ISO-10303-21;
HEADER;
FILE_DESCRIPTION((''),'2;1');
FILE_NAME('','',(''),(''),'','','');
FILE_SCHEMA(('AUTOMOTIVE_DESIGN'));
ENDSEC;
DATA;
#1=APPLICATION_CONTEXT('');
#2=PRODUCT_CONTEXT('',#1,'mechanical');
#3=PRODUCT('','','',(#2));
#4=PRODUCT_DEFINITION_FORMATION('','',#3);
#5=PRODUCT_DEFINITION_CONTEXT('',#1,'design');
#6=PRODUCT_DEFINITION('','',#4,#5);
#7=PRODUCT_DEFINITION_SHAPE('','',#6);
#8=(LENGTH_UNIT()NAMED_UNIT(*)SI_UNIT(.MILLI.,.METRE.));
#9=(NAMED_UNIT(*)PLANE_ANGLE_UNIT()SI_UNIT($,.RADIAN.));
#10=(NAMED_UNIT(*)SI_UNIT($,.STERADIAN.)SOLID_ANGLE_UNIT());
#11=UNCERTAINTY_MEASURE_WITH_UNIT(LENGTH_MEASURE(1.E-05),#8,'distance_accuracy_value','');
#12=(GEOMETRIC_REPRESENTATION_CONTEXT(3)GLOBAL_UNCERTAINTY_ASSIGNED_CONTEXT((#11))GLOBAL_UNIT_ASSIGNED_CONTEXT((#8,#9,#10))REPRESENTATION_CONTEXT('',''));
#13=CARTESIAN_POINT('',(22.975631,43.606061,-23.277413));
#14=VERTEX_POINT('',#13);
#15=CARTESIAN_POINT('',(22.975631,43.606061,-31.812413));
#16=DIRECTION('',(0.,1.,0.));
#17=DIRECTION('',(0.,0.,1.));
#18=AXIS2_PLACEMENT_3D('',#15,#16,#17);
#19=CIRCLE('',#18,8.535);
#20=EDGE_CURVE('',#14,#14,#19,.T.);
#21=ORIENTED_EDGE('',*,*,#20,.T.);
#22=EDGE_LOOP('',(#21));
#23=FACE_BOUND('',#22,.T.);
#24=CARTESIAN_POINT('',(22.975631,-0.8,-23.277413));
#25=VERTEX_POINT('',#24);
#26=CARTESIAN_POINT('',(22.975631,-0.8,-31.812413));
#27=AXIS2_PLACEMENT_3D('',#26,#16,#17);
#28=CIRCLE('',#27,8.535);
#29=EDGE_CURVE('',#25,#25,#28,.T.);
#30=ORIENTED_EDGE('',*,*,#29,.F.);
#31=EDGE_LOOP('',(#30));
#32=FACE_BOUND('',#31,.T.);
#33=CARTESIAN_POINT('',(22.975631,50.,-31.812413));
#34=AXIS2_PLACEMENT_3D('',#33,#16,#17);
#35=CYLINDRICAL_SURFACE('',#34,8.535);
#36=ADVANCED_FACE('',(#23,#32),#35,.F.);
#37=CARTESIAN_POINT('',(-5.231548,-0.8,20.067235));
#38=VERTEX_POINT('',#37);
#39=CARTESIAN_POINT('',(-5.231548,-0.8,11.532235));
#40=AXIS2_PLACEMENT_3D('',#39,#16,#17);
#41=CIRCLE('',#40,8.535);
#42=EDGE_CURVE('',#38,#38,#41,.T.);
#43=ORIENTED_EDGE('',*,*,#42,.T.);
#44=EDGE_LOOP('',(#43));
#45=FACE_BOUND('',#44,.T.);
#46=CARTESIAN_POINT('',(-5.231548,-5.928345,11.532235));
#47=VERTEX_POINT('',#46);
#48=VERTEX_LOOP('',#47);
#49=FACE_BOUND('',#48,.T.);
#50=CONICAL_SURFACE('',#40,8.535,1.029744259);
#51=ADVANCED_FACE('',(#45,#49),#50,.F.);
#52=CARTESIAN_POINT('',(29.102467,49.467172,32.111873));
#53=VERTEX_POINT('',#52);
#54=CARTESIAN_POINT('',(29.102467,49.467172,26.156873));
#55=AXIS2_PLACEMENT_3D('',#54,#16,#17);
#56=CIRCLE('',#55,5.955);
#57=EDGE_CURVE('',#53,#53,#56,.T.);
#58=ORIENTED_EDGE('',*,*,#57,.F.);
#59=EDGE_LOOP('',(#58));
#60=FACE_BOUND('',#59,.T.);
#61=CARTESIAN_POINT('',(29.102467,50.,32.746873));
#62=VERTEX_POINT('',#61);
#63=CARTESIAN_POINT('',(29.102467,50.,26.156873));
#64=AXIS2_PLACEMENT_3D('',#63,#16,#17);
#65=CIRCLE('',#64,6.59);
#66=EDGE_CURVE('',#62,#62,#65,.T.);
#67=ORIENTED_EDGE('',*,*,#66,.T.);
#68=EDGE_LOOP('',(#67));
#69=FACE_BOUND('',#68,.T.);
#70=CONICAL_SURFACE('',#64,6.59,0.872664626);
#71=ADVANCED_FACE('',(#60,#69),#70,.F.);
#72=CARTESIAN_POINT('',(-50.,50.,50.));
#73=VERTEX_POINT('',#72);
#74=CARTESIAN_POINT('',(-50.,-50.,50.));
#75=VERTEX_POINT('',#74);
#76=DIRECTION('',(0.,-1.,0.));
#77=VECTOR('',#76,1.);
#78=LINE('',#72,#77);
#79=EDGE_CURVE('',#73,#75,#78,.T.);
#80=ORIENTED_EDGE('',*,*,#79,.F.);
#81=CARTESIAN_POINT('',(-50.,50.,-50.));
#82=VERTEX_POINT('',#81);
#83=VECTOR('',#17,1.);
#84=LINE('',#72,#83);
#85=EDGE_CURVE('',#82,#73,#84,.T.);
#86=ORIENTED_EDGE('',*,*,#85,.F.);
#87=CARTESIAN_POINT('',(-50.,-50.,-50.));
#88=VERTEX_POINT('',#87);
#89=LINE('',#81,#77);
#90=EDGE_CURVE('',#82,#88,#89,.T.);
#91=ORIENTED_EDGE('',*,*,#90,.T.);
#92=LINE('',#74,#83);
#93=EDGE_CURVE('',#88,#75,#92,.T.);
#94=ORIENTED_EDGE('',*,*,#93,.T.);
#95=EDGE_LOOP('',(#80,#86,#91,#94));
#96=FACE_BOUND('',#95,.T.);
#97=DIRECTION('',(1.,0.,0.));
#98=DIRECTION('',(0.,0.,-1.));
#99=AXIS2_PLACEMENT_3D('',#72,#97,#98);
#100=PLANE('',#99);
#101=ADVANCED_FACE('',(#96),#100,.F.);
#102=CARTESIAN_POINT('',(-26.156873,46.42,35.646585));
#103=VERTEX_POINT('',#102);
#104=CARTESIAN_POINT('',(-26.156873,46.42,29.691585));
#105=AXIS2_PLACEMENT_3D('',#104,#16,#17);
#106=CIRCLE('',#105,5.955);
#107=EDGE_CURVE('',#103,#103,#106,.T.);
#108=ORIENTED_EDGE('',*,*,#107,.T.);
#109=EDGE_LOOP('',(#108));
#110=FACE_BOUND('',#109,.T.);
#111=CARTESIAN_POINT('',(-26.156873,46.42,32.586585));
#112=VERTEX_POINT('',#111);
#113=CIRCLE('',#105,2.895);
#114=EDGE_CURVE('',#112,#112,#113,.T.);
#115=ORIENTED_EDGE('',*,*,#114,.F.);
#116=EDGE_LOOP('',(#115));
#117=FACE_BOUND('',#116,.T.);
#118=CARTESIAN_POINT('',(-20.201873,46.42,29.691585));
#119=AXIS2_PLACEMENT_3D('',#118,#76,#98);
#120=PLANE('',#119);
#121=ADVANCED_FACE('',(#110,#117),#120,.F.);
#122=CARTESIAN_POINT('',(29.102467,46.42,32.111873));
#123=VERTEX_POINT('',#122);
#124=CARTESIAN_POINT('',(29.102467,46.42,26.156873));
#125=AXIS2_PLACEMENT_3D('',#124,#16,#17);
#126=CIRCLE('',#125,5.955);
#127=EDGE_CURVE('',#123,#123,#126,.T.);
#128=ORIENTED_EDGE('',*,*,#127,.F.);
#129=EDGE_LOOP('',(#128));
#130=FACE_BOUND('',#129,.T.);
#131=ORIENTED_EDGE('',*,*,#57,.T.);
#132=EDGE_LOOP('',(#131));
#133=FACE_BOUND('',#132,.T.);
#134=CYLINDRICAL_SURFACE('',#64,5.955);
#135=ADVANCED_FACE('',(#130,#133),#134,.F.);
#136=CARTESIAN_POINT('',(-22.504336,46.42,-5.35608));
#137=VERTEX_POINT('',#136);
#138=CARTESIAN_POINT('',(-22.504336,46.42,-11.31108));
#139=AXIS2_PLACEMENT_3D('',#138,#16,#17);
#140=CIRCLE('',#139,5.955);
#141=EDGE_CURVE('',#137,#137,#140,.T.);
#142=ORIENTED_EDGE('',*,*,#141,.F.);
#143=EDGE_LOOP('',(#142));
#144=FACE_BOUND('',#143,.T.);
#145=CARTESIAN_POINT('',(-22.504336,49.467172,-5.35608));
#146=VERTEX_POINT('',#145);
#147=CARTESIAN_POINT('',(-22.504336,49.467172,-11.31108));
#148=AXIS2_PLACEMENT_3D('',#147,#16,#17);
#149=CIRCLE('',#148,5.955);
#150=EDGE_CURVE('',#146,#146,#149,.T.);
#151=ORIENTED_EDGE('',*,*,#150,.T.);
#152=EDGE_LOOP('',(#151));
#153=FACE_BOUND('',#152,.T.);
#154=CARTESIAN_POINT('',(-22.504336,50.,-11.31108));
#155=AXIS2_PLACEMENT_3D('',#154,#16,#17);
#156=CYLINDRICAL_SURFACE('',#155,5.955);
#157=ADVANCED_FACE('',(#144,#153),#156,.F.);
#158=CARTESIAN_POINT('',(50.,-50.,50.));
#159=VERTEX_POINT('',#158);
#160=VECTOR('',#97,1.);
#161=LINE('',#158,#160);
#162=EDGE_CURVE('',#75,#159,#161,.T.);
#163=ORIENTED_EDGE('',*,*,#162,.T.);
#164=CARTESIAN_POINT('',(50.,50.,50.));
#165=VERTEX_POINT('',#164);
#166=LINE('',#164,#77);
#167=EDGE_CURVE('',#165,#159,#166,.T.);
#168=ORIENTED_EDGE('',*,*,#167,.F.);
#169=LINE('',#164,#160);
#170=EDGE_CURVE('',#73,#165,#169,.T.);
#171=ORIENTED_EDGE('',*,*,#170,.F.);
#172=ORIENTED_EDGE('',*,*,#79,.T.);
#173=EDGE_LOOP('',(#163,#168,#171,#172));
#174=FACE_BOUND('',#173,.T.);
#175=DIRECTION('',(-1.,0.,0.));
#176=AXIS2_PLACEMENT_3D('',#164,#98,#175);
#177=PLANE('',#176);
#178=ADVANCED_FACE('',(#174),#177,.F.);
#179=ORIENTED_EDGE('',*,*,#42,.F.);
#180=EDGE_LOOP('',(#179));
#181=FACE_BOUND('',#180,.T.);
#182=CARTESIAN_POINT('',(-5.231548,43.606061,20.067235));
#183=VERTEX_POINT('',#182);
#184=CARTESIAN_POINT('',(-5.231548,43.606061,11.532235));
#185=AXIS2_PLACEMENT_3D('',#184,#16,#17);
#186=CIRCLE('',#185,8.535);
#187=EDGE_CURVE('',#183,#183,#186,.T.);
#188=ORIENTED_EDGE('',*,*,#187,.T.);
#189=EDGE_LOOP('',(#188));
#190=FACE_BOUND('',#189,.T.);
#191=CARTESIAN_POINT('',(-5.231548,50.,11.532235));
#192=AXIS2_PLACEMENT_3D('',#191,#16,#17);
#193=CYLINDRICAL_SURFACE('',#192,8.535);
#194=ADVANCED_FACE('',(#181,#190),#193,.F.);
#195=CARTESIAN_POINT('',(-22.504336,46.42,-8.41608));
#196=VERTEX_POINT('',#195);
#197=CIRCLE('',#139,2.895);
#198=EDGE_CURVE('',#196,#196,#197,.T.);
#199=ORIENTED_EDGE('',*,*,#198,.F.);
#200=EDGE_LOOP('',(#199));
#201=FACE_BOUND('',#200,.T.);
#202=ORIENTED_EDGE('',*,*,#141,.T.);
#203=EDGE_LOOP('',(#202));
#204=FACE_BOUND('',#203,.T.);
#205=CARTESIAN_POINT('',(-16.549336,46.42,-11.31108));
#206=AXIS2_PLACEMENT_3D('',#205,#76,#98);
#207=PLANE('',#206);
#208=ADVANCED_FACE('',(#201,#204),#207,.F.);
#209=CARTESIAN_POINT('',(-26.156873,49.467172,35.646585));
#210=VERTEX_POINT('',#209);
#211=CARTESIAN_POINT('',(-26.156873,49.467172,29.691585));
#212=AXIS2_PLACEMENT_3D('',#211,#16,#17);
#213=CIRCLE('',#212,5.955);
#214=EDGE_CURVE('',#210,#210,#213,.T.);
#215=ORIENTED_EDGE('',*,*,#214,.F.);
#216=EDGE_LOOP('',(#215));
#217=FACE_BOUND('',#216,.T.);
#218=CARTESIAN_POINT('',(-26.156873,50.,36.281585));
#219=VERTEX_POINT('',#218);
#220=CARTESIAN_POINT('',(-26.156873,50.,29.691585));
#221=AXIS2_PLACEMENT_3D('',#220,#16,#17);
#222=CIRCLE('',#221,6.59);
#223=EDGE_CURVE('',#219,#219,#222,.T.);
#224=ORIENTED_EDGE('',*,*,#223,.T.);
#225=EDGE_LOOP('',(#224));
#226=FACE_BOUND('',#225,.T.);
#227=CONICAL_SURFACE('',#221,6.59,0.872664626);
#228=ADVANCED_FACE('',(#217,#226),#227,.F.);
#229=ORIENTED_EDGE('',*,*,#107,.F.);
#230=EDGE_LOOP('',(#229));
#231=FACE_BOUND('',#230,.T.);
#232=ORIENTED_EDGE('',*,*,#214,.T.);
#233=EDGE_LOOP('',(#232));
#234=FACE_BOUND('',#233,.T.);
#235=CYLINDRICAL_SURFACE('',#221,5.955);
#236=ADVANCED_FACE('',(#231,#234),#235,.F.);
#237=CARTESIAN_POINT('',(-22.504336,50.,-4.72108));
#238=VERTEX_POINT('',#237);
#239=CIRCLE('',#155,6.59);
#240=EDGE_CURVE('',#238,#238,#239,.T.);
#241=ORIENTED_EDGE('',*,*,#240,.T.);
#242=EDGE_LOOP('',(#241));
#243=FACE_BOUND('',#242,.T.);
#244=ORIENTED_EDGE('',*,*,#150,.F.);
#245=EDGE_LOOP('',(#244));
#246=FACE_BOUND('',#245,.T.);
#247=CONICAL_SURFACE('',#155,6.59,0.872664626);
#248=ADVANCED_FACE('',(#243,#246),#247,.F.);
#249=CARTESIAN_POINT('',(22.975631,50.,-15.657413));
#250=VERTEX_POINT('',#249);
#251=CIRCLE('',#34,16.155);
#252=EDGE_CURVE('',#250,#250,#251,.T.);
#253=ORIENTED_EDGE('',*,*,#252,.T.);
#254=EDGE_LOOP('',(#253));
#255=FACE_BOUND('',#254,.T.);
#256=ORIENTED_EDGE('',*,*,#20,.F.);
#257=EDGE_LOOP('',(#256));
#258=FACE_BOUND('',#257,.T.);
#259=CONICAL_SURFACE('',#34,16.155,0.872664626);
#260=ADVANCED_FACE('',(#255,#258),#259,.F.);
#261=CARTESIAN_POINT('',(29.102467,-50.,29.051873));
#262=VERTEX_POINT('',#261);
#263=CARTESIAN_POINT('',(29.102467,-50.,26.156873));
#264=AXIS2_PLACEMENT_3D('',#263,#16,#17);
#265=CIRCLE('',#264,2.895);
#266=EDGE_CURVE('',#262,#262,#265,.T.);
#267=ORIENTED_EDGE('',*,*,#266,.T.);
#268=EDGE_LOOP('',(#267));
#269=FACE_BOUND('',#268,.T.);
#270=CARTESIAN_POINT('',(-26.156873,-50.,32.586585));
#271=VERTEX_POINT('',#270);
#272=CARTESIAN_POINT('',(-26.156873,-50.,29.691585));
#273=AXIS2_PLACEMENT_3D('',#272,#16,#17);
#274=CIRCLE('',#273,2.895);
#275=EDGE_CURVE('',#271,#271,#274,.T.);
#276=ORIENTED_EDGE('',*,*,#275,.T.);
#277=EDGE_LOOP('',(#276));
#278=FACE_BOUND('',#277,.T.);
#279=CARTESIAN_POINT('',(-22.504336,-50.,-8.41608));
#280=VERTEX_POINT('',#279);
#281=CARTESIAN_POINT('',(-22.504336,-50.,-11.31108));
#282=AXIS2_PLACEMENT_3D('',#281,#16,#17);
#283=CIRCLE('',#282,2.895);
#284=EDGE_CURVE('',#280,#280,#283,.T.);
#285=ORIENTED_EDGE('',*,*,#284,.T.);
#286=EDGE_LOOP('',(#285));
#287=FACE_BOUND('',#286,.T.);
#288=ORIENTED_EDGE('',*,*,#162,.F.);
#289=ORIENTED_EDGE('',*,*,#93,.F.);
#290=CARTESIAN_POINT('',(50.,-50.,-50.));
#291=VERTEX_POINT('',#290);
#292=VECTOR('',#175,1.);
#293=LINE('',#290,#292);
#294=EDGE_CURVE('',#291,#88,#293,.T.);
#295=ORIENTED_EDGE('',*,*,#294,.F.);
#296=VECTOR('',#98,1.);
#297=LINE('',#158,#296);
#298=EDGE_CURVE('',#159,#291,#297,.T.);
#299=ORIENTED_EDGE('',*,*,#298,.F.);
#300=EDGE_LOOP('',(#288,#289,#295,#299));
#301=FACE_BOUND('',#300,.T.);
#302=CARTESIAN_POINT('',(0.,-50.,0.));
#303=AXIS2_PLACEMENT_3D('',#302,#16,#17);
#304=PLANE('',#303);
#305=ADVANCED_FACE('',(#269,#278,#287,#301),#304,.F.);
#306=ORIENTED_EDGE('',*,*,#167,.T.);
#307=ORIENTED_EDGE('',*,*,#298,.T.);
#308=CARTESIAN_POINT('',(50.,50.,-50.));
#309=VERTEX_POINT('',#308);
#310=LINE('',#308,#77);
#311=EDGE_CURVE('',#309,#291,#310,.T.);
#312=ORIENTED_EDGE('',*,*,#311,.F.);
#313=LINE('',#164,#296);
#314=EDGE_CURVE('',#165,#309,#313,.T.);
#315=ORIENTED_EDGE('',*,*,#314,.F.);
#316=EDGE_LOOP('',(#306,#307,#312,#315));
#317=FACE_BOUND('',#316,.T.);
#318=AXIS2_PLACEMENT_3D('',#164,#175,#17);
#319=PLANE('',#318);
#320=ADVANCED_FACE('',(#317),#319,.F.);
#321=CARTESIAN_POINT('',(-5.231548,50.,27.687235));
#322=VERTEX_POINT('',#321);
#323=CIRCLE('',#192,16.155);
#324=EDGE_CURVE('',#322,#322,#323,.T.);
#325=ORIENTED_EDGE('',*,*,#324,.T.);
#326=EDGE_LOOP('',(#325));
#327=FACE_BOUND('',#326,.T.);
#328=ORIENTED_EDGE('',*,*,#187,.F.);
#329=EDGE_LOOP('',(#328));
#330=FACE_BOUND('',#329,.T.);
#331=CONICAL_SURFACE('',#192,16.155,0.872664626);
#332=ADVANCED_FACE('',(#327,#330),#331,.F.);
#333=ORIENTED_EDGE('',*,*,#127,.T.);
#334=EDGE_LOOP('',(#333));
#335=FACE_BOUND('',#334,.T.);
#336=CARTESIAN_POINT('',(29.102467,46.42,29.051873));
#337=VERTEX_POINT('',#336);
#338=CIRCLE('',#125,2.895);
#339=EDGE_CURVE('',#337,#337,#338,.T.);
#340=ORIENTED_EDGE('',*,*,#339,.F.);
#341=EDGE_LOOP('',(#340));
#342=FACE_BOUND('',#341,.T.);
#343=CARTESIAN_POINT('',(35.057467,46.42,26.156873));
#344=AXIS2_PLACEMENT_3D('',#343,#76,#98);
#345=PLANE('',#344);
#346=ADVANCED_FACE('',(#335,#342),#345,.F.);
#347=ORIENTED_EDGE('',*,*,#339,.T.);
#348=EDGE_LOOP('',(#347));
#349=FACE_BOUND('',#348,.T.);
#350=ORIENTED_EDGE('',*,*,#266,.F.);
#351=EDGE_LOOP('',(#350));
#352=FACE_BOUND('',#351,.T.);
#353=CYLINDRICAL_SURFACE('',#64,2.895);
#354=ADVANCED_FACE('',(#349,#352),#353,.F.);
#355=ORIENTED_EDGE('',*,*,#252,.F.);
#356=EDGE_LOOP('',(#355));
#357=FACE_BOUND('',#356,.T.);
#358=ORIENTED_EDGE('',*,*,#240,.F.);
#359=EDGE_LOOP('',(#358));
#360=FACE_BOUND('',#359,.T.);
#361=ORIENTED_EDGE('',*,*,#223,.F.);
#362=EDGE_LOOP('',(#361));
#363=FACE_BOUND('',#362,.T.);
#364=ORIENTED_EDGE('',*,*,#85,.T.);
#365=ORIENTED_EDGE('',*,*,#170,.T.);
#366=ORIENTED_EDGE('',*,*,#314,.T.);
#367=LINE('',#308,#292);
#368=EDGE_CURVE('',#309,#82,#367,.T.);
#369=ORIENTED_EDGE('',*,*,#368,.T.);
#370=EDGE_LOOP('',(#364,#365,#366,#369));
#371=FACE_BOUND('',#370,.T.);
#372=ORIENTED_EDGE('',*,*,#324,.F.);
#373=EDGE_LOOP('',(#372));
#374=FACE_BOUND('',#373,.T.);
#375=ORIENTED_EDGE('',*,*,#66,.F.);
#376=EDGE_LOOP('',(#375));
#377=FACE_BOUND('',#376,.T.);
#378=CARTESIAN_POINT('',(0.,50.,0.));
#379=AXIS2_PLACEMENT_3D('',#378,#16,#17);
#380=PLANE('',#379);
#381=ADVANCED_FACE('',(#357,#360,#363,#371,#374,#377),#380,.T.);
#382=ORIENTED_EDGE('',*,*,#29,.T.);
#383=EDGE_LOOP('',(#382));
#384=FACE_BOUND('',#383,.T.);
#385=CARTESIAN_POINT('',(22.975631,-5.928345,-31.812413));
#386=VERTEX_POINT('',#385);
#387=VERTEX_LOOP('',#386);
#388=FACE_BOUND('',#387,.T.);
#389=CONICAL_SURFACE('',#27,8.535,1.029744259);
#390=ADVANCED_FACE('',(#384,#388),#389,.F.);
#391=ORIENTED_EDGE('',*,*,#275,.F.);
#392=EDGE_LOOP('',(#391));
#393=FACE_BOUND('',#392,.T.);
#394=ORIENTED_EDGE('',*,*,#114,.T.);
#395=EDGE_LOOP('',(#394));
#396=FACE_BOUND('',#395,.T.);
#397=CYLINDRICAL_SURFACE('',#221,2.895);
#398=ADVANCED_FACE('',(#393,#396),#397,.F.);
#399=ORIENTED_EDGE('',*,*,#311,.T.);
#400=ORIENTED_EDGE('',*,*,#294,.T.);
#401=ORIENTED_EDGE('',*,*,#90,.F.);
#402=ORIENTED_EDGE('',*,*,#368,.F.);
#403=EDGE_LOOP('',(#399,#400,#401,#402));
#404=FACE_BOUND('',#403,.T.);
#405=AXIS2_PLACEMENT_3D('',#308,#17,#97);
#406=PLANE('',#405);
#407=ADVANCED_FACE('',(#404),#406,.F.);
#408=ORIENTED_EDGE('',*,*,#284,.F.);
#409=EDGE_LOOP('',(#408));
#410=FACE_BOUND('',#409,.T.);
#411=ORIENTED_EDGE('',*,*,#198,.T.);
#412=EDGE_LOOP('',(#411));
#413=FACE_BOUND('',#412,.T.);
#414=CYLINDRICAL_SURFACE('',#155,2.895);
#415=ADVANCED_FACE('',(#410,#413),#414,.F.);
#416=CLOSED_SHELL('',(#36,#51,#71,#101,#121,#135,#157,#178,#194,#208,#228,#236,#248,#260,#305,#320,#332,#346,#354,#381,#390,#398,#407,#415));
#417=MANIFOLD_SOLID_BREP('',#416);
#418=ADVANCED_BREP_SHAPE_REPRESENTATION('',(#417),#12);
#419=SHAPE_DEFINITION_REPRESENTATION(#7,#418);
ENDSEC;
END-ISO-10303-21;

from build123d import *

# Parameters (mm, degrees)
SKETCH1_W                                       = 100
SKETCH1_H                                       = 100
BOSS_EXTRUDE1_DEPTH                             = 50
CSK_FOR_M2_FLAT_HEAD_MACHINE_SCREW1_D           = 17.07
CSK_FOR_M2_FLAT_HEAD_MACHINE_SCREW1_DEPTH       = 50.8
CSK_FOR_M2_FLAT_HEAD_MACHINE_SCREW1_CSINK_D     = 32.31
CSK_FOR_M2_FLAT_HEAD_MACHINE_SCREW1_CSINK_ANGLE = 100
CSK_FOR_M2_FLAT_HEAD_MACHINE_SCREW1_TIP         = 5.128345383
CBORE_FOR_M5_HEX_HEAD_BOLT1_AT_2_COUNT          = 2
CBORE_FOR_M5_HEX_HEAD_BOLT1_AT_2_PITCH          = 41.165028735
CBORE_FOR_M5_HEX_HEAD_BOLT1_AT_3_COUNT          = 2
CBORE_FOR_M5_HEX_HEAD_BOLT1_AT_3_PITCH          = 63.773894401


with BuildPart() as part:
    # Sketch1 → Boss-Extrude1 (new body, symmetric)
    with BuildSketch(Plane(origin=(0, 0, 0), x_dir=(1, 0, 0), z_dir=(0, 1, 0))):
        Rectangle(SKETCH1_W, SKETCH1_H)
    extrude(amount=BOSS_EXTRUDE1_DEPTH, both=True)

    # CSK for M2 Flat Head Machine Screw1
    with Locations(Plane(origin=(0, 50, 0), x_dir=(1, 0, 0), z_dir=(0, 1, 0))):
        with Locations((22.975631471, 31.812412806), (-5.231547771, -11.532234815)):
            CounterSinkHole(CSK_FOR_M2_FLAT_HEAD_MACHINE_SCREW1_D / 2, CSK_FOR_M2_FLAT_HEAD_MACHINE_SCREW1_CSINK_D / 2, depth=CSK_FOR_M2_FLAT_HEAD_MACHINE_SCREW1_DEPTH, counter_sink_angle=CSK_FOR_M2_FLAT_HEAD_MACHINE_SCREW1_CSINK_ANGLE)
            with Locations((0, 0, -(CSK_FOR_M2_FLAT_HEAD_MACHINE_SCREW1_DEPTH + CSK_FOR_M2_FLAT_HEAD_MACHINE_SCREW1_TIP / 2))):  # 118° drill point
                Cone(0, CSK_FOR_M2_FLAT_HEAD_MACHINE_SCREW1_D / 2, CSK_FOR_M2_FLAT_HEAD_MACHINE_SCREW1_TIP, mode=Mode.SUBTRACT)

    # Sketch10 → CBORE for M5 Hex Head Bolt1 (revolve, cut)
    with BuildSketch(Plane(origin=(-22.504336466, 50, -11.311080109), x_dir=(0, 0, 1), z_dir=(1, 0, 0))):
        Polygon((0, 0), (0, 100), (2.895, 100), (2.895, 3.58), (5.955, 3.58), (5.955, 0.532828266), (6.59, 0), align=None)
    cbore_for_m5_hex_head_bolt1 = revolve(axis=Axis((-22.504336466, 56.35, -11.311080109), (0, -1, 0)), mode=Mode.SUBTRACT)

    # CBORE for M5 Hex Head Bolt1 at 2: CBORE for M5 Hex Head Bolt1 ×2
    with Locations(*[Vector(-0.088729108, 0, 0.996055794) * (i * CBORE_FOR_M5_HEX_HEAD_BOLT1_AT_2_PITCH) for i in range(1, CBORE_FOR_M5_HEX_HEAD_BOLT1_AT_2_COUNT)]):
        add(cbore_for_m5_hex_head_bolt1, mode=Mode.SUBTRACT)

    # CBORE for M5 Hex Head Bolt1 at 3: CBORE for M5 Hex Head Bolt1 ×2
    with Locations(*[Vector(0.809215173, 0, 0.587512386) * (i * CBORE_FOR_M5_HEX_HEAD_BOLT1_AT_3_PITCH) for i in range(1, CBORE_FOR_M5_HEX_HEAD_BOLT1_AT_3_COUNT)]):
        add(cbore_for_m5_hex_head_bolt1, mode=Mode.SUBTRACT)


solid = part.part
